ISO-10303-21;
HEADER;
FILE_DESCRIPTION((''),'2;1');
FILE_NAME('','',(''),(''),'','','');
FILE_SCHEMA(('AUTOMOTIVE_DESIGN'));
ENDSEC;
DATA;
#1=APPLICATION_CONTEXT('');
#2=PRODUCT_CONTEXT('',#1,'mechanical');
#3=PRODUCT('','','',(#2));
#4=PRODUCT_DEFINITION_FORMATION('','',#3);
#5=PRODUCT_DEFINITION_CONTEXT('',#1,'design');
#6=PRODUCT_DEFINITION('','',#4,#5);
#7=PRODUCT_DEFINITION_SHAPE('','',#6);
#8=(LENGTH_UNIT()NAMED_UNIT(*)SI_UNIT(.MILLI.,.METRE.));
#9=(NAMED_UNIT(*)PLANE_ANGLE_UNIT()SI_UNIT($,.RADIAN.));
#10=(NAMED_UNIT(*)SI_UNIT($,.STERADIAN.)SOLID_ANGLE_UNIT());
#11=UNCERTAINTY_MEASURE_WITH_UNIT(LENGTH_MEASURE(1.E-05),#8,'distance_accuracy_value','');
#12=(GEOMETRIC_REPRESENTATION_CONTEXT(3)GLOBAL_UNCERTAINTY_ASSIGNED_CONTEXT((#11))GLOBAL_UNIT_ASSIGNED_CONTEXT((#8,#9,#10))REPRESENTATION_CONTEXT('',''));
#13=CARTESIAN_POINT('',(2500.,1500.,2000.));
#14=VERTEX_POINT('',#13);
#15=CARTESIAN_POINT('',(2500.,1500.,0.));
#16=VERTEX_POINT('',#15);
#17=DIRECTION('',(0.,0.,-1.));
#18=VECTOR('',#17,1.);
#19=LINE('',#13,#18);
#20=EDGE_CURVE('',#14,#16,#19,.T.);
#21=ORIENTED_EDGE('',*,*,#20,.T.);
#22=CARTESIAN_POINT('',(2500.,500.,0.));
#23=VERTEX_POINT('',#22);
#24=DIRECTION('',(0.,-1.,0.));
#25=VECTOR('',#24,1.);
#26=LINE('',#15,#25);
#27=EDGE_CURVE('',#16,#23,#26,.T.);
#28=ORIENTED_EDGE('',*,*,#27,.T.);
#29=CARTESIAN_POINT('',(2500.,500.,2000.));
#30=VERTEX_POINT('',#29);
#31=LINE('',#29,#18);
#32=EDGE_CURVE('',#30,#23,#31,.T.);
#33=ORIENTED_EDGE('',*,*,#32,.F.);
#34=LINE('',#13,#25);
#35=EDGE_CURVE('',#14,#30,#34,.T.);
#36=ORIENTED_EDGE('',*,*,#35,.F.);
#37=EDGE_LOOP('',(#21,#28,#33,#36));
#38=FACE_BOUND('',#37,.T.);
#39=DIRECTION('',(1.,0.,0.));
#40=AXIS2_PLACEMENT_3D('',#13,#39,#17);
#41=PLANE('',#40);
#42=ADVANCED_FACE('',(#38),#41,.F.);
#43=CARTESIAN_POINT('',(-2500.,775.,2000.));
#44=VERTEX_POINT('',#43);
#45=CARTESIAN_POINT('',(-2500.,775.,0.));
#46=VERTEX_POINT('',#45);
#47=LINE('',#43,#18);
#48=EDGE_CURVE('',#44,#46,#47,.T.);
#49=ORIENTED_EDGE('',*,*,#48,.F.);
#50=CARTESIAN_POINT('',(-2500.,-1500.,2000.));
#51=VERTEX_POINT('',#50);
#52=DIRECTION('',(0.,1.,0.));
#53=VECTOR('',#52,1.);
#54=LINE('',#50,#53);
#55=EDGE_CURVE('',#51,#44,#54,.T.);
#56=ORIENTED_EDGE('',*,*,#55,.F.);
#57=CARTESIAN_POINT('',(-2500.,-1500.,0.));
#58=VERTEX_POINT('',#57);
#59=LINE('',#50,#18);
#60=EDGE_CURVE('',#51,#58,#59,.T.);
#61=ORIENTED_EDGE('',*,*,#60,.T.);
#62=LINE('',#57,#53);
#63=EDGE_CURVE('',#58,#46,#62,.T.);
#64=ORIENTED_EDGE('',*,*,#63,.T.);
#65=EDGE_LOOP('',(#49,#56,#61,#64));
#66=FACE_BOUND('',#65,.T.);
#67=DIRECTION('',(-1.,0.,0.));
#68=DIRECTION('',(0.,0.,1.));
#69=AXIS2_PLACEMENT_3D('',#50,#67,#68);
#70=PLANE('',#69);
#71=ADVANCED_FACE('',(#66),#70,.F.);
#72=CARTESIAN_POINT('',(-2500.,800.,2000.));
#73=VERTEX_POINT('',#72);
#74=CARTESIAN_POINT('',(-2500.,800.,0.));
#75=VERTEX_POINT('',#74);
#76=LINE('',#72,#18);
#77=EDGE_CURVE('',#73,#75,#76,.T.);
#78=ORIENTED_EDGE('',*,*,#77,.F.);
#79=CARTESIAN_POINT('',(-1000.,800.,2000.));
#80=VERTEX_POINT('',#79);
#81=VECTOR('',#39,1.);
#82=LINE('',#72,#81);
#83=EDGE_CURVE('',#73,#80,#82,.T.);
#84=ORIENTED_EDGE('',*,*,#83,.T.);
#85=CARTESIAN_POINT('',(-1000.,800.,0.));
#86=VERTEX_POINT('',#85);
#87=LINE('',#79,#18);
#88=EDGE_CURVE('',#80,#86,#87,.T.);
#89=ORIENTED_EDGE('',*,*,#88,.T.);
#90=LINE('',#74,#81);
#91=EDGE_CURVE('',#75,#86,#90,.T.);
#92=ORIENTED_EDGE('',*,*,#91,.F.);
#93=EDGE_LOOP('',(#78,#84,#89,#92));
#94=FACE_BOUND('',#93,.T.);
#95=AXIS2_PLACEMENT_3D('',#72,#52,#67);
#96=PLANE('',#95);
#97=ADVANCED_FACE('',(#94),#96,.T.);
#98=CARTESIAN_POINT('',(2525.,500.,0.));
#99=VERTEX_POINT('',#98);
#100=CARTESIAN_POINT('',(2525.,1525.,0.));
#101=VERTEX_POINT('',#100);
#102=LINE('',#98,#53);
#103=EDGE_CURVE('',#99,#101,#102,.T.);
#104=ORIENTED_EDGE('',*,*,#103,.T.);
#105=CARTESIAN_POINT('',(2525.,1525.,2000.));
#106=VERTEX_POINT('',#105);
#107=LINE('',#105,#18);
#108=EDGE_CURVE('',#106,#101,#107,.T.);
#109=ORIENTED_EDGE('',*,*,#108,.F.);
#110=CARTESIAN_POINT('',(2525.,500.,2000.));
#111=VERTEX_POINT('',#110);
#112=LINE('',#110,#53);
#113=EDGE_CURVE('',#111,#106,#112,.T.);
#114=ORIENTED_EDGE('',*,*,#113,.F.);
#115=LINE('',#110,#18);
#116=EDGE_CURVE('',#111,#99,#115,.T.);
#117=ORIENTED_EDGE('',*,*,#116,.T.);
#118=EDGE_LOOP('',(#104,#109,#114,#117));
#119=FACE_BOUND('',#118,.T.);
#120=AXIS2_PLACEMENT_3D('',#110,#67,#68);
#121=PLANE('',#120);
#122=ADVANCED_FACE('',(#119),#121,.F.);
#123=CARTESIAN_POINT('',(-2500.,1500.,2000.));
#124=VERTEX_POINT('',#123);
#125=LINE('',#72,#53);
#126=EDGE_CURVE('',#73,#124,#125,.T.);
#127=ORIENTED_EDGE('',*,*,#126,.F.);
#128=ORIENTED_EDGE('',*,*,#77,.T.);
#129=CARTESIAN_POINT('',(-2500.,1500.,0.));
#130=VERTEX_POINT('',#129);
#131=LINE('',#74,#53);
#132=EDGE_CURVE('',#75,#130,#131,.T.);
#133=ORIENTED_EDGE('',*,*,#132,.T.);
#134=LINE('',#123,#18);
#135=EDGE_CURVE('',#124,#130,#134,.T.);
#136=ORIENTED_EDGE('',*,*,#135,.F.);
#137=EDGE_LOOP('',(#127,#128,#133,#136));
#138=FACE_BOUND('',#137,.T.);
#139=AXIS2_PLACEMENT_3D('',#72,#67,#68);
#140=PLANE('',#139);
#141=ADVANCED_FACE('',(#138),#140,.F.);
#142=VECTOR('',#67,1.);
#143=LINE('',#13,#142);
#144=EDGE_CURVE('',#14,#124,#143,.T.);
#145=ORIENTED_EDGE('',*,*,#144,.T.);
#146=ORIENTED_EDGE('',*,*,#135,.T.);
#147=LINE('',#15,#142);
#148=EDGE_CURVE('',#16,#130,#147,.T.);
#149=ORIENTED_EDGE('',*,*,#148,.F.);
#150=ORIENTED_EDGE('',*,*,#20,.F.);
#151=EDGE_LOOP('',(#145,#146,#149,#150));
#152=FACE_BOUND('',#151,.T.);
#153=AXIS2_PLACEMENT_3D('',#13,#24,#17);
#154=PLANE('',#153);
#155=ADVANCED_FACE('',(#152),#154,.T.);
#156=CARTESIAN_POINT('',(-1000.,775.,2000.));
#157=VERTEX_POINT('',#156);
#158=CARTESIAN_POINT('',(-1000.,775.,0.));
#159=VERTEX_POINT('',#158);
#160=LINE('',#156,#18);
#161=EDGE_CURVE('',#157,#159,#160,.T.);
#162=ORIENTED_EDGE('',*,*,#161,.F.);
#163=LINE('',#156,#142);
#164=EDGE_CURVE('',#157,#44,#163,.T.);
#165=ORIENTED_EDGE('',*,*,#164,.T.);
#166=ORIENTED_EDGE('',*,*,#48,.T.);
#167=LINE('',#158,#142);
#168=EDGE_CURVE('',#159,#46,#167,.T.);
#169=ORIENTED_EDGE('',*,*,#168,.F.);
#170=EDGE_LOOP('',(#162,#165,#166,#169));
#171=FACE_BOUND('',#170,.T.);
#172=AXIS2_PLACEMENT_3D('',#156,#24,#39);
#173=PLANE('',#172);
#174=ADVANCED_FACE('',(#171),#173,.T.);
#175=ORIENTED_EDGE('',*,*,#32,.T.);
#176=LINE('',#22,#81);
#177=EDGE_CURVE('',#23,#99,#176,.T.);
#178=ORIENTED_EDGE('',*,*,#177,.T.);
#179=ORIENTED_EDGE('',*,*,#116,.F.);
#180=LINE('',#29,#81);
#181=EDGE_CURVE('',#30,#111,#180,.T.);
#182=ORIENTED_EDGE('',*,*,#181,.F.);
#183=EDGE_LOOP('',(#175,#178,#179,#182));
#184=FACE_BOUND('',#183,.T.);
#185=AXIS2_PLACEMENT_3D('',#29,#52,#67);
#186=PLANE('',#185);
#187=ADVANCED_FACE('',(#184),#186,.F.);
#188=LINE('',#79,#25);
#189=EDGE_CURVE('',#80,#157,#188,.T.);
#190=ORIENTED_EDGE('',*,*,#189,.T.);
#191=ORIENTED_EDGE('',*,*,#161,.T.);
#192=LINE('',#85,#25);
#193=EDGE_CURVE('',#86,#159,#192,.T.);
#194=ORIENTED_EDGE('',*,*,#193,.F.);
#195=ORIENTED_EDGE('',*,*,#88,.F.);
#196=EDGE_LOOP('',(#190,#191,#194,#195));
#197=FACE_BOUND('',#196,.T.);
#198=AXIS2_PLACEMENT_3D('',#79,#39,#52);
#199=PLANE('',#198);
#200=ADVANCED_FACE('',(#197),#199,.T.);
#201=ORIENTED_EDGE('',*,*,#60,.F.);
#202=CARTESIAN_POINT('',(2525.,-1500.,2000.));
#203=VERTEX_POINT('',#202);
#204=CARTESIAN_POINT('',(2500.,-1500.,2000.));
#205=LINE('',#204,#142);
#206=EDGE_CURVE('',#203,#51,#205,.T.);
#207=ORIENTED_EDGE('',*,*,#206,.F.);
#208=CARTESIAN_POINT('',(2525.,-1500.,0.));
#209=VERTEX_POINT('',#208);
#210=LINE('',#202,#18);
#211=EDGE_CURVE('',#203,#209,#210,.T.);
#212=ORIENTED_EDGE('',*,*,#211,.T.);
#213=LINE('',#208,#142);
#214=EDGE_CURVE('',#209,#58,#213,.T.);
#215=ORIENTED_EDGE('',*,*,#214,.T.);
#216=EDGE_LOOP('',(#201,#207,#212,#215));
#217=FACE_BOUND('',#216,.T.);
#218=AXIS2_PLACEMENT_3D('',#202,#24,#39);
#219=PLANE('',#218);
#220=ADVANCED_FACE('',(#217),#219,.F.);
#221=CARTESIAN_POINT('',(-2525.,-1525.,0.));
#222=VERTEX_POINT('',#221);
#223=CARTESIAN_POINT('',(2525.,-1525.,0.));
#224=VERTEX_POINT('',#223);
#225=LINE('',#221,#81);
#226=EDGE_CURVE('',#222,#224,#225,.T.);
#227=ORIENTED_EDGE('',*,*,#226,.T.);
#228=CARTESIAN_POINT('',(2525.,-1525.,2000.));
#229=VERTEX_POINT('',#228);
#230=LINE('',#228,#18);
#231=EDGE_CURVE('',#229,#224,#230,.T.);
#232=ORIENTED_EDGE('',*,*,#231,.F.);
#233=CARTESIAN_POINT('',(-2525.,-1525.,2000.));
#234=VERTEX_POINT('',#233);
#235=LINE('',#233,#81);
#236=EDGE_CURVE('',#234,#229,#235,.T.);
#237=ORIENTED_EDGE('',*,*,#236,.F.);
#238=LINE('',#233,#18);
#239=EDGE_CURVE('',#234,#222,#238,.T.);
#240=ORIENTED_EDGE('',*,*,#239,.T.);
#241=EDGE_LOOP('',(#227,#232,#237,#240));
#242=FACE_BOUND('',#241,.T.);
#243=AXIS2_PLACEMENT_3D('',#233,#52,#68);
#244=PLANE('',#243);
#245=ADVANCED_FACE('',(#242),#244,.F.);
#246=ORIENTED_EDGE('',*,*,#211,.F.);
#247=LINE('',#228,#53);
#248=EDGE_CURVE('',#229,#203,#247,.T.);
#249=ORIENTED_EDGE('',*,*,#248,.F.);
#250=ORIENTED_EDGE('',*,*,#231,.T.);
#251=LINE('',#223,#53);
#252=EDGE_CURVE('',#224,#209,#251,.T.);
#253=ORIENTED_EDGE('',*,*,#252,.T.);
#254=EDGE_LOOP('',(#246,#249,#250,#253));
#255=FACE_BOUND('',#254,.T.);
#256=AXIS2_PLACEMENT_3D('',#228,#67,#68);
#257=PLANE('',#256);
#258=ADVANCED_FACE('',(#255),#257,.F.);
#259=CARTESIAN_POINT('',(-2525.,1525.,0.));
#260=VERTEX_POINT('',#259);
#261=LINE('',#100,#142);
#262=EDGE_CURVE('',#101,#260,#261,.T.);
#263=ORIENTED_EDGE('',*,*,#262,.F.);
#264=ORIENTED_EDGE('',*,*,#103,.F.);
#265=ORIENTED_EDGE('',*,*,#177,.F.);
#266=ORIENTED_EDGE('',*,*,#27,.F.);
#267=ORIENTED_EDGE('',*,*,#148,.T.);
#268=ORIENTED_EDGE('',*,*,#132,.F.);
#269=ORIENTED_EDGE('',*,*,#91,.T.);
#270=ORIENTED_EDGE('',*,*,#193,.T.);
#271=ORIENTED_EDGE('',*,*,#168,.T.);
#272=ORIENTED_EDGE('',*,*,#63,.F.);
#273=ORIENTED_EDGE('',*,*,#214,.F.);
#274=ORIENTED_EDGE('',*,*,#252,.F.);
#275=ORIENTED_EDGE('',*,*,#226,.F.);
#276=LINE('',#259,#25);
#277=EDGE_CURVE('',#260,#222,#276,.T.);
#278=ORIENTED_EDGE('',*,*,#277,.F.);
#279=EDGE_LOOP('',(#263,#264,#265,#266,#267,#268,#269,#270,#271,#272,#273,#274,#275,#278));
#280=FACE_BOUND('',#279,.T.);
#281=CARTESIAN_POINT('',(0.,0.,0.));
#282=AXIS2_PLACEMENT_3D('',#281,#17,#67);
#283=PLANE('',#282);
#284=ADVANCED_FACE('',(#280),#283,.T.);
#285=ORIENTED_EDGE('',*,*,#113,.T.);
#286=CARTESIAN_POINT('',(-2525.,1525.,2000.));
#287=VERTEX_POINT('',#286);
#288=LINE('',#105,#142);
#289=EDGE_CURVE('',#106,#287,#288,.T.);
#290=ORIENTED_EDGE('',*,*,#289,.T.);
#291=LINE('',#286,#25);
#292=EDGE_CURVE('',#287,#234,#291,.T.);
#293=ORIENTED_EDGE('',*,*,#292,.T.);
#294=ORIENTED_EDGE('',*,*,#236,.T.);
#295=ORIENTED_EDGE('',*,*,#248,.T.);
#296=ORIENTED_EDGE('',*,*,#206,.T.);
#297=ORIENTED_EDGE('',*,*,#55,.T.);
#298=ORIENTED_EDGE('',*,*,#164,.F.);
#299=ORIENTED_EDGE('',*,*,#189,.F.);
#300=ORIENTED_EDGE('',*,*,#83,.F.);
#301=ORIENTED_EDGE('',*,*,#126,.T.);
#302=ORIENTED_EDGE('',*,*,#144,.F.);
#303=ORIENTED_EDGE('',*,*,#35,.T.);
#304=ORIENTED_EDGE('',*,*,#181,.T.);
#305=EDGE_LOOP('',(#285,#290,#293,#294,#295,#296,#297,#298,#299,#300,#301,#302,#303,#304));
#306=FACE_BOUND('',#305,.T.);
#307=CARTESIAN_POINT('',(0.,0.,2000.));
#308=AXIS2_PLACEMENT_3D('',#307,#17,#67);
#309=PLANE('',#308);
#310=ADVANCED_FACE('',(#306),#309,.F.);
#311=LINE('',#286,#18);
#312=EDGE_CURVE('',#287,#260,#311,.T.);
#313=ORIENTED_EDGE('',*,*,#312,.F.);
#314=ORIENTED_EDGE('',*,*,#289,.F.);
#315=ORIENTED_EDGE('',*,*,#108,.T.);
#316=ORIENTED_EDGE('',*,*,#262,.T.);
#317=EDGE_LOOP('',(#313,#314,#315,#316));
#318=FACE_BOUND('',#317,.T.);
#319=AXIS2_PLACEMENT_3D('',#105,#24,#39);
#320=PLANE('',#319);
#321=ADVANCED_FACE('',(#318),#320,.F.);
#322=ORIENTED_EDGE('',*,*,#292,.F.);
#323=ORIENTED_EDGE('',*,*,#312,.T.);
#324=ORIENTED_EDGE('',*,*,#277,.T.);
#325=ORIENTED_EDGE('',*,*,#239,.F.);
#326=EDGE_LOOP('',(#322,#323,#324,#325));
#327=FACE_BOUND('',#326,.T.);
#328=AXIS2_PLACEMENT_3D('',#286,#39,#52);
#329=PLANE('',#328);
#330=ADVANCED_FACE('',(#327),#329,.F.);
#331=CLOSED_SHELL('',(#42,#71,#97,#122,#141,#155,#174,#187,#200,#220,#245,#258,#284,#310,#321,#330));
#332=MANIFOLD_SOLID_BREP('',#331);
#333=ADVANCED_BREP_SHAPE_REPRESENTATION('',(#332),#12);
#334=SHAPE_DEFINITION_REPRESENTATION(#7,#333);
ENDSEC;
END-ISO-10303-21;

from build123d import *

# Parameters (mm, degrees)
BOSS_EXTRUDE1_DEPTH = 2000


with BuildPart() as part:
    # Sketch1 → Boss-Extrude1 (new body)
    with BuildSketch(Plane.XY):
        Polygon((-2500, 800), (-1000, 800), (-1000, 775), (-2500, 775), (-2500, -1500), (2500, -1500), (2525, -1500), (2525, -1525), (-2525, -1525), (-2525, 1525), (2525, 1525), (2525, 500), (2500, 500), (2500, 1500), (-2500, 1500), align=None)
    extrude(amount=BOSS_EXTRUDE1_DEPTH)


solid = part.part
